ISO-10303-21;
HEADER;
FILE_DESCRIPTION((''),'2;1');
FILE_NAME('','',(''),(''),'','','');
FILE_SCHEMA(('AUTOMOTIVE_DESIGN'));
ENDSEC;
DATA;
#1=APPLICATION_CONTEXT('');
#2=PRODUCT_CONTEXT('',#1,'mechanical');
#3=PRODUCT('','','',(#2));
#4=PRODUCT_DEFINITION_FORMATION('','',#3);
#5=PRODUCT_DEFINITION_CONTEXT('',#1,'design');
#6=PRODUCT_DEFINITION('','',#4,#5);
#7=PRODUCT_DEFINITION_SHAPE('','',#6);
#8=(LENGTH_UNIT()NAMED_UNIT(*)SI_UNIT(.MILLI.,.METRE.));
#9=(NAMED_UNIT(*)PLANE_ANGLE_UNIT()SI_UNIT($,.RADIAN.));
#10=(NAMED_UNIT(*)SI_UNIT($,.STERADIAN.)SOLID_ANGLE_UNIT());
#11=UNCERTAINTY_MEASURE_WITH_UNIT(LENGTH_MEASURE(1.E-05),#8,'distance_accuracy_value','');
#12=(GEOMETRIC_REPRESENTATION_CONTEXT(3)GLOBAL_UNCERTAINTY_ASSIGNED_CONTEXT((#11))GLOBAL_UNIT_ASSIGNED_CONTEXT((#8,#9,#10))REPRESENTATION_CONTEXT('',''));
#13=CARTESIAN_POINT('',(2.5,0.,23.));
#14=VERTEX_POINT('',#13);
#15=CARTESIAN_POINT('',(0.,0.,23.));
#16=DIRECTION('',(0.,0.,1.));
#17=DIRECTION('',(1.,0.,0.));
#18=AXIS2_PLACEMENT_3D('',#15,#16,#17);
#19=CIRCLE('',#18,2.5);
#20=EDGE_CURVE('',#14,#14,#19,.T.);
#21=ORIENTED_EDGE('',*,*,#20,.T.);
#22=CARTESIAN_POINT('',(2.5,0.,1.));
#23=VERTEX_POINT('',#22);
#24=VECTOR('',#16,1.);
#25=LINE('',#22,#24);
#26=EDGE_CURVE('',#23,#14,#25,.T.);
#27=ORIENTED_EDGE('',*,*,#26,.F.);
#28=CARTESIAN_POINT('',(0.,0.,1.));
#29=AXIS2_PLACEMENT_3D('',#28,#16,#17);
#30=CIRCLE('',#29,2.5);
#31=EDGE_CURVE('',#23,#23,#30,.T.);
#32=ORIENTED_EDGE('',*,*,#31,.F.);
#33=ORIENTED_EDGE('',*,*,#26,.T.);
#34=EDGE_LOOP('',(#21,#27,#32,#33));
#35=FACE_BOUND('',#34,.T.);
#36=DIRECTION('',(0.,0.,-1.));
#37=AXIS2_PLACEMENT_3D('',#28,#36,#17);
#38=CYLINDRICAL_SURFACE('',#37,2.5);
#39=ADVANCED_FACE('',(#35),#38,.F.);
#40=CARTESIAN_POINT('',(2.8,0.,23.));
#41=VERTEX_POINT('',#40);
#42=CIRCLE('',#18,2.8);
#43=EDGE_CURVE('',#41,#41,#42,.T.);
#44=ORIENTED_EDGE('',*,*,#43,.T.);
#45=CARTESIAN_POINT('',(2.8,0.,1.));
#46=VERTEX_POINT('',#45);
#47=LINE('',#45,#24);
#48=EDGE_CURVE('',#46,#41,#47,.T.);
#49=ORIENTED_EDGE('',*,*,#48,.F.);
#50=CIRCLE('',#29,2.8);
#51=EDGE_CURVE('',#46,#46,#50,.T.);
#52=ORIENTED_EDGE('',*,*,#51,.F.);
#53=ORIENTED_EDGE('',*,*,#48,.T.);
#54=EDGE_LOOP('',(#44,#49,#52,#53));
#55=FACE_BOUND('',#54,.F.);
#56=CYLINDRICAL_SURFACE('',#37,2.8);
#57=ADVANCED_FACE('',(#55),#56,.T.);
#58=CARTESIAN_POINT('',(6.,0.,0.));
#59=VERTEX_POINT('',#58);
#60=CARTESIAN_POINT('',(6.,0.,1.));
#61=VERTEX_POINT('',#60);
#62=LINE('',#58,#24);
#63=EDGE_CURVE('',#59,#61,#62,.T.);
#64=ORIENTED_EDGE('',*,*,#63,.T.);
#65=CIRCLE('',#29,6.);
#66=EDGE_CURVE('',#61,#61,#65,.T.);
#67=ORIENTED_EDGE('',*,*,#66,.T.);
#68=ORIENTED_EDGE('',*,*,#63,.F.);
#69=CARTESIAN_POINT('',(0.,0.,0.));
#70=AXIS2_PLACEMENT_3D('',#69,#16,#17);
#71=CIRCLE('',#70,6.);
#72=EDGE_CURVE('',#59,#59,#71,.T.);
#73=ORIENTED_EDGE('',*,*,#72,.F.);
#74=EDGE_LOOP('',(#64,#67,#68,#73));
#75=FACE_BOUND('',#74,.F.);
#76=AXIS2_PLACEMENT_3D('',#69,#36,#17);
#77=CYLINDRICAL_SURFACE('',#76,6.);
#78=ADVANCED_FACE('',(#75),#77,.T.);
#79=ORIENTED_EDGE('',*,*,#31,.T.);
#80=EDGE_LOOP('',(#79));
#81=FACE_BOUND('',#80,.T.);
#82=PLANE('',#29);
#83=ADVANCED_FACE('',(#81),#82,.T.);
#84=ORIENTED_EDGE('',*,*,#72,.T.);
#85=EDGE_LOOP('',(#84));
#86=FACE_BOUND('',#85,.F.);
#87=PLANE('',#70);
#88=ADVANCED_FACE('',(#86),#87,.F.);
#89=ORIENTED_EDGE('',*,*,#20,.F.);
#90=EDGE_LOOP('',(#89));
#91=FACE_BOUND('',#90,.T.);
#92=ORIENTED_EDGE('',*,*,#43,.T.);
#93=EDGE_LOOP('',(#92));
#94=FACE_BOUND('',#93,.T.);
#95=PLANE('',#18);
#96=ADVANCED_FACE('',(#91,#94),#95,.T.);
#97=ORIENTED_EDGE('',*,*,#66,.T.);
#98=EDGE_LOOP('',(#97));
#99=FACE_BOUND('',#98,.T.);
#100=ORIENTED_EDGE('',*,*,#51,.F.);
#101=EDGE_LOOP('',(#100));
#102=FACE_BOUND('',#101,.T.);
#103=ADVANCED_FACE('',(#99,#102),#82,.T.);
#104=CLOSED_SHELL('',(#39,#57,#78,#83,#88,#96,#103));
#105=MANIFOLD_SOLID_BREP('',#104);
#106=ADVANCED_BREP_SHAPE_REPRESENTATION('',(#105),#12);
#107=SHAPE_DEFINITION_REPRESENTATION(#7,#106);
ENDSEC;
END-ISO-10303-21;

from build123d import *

# Parameters (mm, degrees)
SKETCH_1_R      = 6
EXTRUDE_1_DEPTH = 1
SKETCH_2_R      = 2.8
SKETCH_2_R_2    = 2.5
EXTRUDE_2_DEPTH = 22


with BuildPart() as part:
    # 草图1 → 凸台-拉伸1 (new body)
    with BuildSketch(Plane.XY):
        Circle(SKETCH_1_R)
    extrude(amount=EXTRUDE_1_DEPTH)

    # 草图2 → 凸台-拉伸2 (add)
    with BuildSketch(Plane.XY.offset(1)):
        Circle(SKETCH_2_R)
        Circle(SKETCH_2_R_2, mode=Mode.SUBTRACT)
    extrude(amount=EXTRUDE_2_DEPTH)


solid = part.part
